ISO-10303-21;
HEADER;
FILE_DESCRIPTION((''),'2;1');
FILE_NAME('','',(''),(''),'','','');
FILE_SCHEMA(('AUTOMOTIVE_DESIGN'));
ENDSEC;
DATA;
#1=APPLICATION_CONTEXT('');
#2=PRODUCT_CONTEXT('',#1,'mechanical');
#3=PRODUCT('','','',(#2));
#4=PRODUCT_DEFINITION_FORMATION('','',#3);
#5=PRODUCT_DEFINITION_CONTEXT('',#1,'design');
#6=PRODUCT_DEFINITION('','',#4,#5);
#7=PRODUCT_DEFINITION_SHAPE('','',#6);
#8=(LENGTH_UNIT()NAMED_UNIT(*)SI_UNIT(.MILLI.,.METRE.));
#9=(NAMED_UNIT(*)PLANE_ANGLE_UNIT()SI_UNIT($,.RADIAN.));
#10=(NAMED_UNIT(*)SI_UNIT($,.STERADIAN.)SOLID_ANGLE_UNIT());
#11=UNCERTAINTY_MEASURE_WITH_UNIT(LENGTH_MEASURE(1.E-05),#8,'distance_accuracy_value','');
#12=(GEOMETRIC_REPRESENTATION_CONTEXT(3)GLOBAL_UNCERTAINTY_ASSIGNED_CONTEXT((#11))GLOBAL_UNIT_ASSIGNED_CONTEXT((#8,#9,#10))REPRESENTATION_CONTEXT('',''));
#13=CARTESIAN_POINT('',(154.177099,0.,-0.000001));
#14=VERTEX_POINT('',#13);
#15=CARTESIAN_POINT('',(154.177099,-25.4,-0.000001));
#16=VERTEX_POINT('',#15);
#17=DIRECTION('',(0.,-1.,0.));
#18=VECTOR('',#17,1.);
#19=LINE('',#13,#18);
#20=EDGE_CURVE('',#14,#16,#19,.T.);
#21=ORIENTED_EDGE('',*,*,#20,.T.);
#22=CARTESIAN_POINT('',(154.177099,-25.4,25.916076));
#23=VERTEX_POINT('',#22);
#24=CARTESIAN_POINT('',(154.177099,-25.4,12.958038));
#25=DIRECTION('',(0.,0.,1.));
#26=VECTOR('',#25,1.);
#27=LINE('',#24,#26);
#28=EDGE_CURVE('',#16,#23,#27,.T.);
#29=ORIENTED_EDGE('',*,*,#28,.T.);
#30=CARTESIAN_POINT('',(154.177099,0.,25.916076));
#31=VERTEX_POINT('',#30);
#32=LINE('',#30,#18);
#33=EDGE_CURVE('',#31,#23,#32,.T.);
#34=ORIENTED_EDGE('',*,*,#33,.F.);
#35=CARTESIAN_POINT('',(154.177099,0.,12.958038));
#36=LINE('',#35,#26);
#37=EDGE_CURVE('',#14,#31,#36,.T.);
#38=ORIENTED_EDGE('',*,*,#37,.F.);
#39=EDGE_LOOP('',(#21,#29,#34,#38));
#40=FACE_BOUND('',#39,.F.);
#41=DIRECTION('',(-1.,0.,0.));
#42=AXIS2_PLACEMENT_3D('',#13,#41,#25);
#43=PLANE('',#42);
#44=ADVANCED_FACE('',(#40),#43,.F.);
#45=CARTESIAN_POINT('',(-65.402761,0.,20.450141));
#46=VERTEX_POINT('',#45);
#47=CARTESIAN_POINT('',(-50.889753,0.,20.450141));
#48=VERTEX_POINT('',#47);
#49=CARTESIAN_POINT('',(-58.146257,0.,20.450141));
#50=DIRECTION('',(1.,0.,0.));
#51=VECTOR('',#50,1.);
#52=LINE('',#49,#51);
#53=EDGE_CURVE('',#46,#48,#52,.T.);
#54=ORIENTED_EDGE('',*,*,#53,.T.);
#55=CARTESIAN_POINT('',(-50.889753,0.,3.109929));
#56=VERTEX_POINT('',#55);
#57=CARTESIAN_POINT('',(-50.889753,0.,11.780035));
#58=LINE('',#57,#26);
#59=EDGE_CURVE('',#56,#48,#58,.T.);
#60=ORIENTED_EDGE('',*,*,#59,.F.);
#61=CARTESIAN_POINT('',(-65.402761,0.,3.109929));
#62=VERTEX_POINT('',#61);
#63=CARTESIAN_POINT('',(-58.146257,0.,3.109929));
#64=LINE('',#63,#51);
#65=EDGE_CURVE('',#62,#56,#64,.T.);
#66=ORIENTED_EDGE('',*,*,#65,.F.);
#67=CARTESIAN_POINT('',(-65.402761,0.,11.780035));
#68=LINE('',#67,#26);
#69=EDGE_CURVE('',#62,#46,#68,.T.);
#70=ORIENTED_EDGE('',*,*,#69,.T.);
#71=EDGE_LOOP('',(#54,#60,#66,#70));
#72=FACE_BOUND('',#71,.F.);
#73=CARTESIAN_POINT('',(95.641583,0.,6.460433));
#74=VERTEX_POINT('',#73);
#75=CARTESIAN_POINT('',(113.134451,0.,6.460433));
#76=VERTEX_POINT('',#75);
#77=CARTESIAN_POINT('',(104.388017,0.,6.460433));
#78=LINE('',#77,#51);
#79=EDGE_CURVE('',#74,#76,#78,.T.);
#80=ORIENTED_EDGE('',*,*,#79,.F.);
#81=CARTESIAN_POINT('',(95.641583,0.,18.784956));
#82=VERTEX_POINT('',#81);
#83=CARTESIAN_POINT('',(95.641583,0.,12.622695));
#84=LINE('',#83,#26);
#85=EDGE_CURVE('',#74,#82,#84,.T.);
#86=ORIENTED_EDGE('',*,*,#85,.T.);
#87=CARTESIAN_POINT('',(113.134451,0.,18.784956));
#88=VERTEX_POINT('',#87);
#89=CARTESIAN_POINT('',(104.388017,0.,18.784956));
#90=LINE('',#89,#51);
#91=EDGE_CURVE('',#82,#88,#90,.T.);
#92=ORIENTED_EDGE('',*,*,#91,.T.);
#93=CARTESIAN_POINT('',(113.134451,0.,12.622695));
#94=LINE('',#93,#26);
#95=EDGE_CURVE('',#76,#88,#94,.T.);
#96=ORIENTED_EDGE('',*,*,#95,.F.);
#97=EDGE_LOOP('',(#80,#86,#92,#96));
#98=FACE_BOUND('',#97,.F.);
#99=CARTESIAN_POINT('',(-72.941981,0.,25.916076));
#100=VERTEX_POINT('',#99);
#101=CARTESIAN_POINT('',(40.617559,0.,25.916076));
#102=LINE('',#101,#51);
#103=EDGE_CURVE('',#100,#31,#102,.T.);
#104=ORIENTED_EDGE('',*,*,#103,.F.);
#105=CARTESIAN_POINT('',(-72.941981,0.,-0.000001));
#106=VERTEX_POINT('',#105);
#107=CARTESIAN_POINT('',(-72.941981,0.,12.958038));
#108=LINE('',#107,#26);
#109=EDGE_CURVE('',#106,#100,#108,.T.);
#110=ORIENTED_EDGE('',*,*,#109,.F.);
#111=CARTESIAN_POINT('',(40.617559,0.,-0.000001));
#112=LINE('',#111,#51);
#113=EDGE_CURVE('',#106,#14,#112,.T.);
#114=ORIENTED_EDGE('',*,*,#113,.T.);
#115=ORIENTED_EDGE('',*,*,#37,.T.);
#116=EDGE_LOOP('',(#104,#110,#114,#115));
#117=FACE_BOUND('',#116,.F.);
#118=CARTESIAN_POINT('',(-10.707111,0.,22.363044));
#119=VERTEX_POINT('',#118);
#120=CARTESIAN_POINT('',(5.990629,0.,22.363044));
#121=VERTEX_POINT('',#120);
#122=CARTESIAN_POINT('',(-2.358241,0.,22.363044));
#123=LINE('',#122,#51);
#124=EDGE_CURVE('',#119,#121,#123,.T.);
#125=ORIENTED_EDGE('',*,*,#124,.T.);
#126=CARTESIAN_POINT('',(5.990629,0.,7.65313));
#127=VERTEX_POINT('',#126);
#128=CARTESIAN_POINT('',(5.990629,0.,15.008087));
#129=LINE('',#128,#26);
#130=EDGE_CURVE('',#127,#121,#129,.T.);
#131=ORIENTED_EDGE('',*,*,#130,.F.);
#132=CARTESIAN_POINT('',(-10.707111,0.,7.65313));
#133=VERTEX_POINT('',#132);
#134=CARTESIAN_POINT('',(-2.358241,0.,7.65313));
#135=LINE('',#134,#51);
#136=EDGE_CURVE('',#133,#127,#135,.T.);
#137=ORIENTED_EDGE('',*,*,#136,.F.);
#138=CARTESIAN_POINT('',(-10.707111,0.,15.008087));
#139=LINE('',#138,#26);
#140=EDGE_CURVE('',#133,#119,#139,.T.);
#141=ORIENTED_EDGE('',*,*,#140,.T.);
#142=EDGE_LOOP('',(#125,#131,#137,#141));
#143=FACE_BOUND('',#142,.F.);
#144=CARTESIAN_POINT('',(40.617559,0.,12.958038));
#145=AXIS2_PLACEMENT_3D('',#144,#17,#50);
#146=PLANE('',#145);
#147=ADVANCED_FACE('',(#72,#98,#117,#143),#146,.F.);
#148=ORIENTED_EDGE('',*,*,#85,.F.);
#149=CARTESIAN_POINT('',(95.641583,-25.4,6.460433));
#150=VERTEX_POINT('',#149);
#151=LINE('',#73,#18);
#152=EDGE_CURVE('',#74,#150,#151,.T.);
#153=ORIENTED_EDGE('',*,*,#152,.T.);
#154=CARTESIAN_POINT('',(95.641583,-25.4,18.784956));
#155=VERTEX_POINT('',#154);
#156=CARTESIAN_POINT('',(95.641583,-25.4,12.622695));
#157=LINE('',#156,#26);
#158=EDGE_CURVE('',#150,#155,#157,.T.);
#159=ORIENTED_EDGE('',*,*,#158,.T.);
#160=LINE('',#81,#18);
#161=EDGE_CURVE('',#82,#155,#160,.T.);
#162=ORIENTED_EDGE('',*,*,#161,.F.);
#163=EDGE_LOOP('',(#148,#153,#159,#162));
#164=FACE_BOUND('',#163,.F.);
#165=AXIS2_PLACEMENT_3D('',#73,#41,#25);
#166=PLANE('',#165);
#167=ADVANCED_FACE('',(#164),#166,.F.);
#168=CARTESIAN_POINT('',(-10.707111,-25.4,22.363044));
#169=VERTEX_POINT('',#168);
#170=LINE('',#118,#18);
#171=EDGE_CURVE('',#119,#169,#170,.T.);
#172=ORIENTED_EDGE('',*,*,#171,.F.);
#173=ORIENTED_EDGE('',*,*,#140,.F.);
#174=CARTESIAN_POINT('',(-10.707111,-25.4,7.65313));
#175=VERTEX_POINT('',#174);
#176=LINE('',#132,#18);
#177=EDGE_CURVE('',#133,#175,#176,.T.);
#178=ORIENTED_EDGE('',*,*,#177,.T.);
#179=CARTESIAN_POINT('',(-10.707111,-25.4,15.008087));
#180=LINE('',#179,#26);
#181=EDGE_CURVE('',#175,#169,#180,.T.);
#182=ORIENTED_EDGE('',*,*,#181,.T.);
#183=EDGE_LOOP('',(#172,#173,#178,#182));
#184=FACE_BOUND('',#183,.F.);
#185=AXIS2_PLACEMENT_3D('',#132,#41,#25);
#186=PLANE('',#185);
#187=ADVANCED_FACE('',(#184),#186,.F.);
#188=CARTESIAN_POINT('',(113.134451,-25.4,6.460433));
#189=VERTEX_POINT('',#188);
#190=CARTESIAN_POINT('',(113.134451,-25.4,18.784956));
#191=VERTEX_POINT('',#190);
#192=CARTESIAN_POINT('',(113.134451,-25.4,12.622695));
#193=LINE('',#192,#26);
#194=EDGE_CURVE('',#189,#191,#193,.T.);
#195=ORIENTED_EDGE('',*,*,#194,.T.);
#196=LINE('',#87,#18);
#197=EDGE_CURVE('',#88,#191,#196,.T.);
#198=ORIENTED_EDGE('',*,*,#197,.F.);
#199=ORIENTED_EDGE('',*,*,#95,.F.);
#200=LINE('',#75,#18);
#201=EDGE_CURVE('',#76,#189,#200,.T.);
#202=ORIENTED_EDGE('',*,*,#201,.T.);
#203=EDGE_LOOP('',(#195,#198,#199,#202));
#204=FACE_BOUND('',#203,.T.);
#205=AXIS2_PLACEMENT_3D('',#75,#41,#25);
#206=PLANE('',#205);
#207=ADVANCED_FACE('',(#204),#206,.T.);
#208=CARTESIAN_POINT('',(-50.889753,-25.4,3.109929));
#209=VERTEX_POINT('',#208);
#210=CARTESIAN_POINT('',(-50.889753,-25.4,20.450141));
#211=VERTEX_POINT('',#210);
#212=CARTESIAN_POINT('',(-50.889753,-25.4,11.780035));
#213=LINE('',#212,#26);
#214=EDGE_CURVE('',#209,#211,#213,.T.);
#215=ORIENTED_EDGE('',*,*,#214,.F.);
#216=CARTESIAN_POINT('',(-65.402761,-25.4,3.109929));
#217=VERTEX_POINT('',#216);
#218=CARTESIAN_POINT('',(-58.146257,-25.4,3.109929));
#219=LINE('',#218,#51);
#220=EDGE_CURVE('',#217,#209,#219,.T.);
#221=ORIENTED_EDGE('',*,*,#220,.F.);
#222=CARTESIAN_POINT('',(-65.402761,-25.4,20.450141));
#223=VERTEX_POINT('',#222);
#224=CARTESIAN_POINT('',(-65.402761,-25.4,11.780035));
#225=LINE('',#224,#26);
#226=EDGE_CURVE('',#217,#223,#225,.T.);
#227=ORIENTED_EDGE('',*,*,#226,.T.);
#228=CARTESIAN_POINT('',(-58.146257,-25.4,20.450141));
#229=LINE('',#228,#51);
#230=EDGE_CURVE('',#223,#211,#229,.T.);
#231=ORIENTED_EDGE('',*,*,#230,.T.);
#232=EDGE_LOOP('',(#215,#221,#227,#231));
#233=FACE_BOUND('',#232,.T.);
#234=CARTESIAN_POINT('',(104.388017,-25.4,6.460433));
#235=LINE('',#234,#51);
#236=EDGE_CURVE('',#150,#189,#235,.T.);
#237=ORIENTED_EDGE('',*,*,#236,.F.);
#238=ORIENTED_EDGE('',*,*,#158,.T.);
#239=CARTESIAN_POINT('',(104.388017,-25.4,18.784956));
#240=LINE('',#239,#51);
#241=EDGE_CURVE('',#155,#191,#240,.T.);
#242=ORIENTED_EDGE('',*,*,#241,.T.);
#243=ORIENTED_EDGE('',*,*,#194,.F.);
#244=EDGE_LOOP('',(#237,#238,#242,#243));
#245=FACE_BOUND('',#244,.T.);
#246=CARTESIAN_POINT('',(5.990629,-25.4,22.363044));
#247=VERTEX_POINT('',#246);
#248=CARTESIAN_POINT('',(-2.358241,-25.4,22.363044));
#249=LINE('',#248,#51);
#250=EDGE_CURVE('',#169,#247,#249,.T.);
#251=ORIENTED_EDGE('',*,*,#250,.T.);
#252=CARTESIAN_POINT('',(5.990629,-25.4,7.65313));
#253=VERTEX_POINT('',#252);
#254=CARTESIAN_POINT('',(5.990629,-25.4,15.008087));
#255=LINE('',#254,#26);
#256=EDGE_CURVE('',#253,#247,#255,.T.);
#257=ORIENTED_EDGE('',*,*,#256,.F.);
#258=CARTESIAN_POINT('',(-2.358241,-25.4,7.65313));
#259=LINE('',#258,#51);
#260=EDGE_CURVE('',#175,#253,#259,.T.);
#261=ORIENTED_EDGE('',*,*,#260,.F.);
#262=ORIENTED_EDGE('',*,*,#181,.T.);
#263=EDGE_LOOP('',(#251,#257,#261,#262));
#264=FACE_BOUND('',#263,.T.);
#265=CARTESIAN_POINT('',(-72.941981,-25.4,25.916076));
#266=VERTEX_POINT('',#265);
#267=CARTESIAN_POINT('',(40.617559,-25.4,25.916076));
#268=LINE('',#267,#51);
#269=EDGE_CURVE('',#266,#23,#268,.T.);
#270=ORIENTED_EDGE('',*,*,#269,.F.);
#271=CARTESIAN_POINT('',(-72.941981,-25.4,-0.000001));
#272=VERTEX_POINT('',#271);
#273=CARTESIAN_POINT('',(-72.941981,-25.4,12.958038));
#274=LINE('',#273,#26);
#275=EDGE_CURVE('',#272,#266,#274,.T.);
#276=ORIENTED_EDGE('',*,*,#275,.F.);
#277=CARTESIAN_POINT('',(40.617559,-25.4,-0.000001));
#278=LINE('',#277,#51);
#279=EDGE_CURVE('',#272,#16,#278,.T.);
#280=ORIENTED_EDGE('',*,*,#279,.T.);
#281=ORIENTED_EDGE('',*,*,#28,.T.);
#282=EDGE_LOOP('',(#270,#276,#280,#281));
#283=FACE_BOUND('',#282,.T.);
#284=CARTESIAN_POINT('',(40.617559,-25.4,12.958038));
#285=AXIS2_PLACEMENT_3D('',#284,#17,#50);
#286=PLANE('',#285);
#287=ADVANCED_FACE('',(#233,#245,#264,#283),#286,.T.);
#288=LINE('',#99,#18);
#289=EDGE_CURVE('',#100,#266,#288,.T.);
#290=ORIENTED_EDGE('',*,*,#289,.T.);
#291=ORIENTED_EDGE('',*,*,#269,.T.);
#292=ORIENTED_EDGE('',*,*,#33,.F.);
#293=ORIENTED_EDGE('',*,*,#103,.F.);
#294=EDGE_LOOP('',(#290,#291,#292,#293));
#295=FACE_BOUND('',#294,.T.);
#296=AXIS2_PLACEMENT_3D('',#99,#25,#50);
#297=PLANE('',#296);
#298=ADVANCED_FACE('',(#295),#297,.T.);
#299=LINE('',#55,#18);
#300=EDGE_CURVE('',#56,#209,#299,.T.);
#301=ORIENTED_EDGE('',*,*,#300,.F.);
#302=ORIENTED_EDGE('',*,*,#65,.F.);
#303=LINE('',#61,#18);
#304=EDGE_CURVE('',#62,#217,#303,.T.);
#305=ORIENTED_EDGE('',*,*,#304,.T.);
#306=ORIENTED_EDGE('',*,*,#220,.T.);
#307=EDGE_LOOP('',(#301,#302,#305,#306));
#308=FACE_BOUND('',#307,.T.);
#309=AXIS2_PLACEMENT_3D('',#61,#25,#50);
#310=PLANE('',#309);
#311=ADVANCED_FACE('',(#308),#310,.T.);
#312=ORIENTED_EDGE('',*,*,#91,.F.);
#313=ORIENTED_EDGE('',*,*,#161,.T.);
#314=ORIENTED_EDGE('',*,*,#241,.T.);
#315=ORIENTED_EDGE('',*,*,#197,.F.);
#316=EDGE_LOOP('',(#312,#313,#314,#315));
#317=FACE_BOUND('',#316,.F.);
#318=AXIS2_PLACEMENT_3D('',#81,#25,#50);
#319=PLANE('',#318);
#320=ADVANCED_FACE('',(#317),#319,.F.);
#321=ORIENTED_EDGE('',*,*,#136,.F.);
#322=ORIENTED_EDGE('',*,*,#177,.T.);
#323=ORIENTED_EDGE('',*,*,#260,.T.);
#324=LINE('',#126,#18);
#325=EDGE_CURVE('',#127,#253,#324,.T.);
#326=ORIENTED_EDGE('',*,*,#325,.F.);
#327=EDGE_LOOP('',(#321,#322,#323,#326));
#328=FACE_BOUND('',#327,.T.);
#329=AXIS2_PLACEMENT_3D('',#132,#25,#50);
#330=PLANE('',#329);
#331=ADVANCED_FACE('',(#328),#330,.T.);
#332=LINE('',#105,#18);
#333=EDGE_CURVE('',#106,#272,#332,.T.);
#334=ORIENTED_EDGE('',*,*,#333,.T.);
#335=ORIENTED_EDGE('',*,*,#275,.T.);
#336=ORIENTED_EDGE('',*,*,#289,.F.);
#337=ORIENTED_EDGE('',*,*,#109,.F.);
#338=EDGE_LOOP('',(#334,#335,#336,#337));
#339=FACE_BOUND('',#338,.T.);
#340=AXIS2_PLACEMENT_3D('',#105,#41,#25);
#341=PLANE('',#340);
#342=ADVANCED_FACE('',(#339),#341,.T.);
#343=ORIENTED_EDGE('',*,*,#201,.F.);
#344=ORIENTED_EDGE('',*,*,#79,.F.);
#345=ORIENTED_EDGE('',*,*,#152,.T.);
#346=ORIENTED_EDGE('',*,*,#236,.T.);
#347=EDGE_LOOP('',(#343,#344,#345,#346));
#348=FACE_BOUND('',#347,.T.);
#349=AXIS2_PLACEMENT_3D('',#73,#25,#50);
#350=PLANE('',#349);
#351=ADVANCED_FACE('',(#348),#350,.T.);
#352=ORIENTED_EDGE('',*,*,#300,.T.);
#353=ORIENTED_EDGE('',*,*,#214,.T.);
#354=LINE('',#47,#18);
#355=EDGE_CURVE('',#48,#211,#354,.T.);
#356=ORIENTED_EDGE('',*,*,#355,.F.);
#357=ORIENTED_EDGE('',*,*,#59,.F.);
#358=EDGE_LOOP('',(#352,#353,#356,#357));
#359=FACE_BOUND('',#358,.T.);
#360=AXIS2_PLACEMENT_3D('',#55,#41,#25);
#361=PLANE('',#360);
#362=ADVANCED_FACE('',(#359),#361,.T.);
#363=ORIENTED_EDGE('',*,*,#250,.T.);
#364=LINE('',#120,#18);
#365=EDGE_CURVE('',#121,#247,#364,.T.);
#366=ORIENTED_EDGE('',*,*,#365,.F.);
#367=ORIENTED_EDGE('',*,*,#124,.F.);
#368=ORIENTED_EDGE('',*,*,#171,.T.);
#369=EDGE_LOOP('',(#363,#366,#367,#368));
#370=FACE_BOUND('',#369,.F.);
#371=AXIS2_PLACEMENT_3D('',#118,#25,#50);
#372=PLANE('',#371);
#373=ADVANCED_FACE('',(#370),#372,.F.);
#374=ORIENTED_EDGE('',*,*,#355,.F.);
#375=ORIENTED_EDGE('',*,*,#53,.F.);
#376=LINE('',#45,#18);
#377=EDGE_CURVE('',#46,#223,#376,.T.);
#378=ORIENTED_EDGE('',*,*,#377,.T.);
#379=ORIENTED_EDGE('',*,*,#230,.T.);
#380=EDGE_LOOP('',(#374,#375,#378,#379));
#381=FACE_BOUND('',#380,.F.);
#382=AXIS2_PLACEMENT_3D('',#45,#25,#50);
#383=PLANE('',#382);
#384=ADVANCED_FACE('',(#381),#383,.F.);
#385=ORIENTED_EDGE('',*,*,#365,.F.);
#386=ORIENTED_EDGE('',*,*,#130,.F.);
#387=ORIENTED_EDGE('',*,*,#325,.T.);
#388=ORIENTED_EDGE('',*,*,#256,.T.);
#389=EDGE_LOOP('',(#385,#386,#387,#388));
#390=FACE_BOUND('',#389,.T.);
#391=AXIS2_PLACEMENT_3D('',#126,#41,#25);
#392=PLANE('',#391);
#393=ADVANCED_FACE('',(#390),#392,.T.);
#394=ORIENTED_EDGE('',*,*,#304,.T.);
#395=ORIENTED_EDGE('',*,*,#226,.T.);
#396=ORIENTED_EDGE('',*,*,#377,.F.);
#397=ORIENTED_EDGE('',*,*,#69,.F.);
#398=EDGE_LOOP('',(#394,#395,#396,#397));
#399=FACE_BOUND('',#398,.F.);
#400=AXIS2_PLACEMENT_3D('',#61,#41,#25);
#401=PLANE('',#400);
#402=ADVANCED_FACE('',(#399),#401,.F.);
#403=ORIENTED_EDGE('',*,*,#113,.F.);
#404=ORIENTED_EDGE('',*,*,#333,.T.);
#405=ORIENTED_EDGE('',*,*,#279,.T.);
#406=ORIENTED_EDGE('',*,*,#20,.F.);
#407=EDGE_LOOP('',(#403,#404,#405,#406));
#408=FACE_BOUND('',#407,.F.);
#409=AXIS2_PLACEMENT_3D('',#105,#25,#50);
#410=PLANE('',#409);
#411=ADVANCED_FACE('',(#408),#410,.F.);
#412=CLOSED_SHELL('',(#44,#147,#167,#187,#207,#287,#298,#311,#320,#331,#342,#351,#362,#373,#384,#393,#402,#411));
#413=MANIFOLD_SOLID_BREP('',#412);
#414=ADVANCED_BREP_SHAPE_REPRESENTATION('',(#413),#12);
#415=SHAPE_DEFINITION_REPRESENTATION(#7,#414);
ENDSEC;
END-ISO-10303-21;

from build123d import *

# Parameters (mm, degrees)
F0_W     = 227.11908
F0_H     = 25.916077
F0_W_2   = 14.513008
F0_H_2   = 17.340212
F0_W_3   = 17.492868
F0_H_3   = 12.324523
F0_W_4   = 16.69774
F0_H_4   = 14.709914
F1_DEPTH = 25.4


with BuildPart() as f1:
    # F0 (on Front) → F1 (new body)
    with BuildSketch(Plane.XZ):
        with Locations((40.617559, 12.958038)):
            Rectangle(F0_W, F0_H)
        with Locations((-58.146257, 11.780035)):
            Rectangle(F0_W_2, F0_H_2, mode=Mode.SUBTRACT)
        with Locations((104.388017, 12.622695)):
            Rectangle(F0_W_3, F0_H_3, mode=Mode.SUBTRACT)
        with Locations((-2.358241, 15.008087)):
            Rectangle(F0_W_4, F0_H_4, mode=Mode.SUBTRACT)
    extrude(amount=F1_DEPTH)


solid = f1.part
